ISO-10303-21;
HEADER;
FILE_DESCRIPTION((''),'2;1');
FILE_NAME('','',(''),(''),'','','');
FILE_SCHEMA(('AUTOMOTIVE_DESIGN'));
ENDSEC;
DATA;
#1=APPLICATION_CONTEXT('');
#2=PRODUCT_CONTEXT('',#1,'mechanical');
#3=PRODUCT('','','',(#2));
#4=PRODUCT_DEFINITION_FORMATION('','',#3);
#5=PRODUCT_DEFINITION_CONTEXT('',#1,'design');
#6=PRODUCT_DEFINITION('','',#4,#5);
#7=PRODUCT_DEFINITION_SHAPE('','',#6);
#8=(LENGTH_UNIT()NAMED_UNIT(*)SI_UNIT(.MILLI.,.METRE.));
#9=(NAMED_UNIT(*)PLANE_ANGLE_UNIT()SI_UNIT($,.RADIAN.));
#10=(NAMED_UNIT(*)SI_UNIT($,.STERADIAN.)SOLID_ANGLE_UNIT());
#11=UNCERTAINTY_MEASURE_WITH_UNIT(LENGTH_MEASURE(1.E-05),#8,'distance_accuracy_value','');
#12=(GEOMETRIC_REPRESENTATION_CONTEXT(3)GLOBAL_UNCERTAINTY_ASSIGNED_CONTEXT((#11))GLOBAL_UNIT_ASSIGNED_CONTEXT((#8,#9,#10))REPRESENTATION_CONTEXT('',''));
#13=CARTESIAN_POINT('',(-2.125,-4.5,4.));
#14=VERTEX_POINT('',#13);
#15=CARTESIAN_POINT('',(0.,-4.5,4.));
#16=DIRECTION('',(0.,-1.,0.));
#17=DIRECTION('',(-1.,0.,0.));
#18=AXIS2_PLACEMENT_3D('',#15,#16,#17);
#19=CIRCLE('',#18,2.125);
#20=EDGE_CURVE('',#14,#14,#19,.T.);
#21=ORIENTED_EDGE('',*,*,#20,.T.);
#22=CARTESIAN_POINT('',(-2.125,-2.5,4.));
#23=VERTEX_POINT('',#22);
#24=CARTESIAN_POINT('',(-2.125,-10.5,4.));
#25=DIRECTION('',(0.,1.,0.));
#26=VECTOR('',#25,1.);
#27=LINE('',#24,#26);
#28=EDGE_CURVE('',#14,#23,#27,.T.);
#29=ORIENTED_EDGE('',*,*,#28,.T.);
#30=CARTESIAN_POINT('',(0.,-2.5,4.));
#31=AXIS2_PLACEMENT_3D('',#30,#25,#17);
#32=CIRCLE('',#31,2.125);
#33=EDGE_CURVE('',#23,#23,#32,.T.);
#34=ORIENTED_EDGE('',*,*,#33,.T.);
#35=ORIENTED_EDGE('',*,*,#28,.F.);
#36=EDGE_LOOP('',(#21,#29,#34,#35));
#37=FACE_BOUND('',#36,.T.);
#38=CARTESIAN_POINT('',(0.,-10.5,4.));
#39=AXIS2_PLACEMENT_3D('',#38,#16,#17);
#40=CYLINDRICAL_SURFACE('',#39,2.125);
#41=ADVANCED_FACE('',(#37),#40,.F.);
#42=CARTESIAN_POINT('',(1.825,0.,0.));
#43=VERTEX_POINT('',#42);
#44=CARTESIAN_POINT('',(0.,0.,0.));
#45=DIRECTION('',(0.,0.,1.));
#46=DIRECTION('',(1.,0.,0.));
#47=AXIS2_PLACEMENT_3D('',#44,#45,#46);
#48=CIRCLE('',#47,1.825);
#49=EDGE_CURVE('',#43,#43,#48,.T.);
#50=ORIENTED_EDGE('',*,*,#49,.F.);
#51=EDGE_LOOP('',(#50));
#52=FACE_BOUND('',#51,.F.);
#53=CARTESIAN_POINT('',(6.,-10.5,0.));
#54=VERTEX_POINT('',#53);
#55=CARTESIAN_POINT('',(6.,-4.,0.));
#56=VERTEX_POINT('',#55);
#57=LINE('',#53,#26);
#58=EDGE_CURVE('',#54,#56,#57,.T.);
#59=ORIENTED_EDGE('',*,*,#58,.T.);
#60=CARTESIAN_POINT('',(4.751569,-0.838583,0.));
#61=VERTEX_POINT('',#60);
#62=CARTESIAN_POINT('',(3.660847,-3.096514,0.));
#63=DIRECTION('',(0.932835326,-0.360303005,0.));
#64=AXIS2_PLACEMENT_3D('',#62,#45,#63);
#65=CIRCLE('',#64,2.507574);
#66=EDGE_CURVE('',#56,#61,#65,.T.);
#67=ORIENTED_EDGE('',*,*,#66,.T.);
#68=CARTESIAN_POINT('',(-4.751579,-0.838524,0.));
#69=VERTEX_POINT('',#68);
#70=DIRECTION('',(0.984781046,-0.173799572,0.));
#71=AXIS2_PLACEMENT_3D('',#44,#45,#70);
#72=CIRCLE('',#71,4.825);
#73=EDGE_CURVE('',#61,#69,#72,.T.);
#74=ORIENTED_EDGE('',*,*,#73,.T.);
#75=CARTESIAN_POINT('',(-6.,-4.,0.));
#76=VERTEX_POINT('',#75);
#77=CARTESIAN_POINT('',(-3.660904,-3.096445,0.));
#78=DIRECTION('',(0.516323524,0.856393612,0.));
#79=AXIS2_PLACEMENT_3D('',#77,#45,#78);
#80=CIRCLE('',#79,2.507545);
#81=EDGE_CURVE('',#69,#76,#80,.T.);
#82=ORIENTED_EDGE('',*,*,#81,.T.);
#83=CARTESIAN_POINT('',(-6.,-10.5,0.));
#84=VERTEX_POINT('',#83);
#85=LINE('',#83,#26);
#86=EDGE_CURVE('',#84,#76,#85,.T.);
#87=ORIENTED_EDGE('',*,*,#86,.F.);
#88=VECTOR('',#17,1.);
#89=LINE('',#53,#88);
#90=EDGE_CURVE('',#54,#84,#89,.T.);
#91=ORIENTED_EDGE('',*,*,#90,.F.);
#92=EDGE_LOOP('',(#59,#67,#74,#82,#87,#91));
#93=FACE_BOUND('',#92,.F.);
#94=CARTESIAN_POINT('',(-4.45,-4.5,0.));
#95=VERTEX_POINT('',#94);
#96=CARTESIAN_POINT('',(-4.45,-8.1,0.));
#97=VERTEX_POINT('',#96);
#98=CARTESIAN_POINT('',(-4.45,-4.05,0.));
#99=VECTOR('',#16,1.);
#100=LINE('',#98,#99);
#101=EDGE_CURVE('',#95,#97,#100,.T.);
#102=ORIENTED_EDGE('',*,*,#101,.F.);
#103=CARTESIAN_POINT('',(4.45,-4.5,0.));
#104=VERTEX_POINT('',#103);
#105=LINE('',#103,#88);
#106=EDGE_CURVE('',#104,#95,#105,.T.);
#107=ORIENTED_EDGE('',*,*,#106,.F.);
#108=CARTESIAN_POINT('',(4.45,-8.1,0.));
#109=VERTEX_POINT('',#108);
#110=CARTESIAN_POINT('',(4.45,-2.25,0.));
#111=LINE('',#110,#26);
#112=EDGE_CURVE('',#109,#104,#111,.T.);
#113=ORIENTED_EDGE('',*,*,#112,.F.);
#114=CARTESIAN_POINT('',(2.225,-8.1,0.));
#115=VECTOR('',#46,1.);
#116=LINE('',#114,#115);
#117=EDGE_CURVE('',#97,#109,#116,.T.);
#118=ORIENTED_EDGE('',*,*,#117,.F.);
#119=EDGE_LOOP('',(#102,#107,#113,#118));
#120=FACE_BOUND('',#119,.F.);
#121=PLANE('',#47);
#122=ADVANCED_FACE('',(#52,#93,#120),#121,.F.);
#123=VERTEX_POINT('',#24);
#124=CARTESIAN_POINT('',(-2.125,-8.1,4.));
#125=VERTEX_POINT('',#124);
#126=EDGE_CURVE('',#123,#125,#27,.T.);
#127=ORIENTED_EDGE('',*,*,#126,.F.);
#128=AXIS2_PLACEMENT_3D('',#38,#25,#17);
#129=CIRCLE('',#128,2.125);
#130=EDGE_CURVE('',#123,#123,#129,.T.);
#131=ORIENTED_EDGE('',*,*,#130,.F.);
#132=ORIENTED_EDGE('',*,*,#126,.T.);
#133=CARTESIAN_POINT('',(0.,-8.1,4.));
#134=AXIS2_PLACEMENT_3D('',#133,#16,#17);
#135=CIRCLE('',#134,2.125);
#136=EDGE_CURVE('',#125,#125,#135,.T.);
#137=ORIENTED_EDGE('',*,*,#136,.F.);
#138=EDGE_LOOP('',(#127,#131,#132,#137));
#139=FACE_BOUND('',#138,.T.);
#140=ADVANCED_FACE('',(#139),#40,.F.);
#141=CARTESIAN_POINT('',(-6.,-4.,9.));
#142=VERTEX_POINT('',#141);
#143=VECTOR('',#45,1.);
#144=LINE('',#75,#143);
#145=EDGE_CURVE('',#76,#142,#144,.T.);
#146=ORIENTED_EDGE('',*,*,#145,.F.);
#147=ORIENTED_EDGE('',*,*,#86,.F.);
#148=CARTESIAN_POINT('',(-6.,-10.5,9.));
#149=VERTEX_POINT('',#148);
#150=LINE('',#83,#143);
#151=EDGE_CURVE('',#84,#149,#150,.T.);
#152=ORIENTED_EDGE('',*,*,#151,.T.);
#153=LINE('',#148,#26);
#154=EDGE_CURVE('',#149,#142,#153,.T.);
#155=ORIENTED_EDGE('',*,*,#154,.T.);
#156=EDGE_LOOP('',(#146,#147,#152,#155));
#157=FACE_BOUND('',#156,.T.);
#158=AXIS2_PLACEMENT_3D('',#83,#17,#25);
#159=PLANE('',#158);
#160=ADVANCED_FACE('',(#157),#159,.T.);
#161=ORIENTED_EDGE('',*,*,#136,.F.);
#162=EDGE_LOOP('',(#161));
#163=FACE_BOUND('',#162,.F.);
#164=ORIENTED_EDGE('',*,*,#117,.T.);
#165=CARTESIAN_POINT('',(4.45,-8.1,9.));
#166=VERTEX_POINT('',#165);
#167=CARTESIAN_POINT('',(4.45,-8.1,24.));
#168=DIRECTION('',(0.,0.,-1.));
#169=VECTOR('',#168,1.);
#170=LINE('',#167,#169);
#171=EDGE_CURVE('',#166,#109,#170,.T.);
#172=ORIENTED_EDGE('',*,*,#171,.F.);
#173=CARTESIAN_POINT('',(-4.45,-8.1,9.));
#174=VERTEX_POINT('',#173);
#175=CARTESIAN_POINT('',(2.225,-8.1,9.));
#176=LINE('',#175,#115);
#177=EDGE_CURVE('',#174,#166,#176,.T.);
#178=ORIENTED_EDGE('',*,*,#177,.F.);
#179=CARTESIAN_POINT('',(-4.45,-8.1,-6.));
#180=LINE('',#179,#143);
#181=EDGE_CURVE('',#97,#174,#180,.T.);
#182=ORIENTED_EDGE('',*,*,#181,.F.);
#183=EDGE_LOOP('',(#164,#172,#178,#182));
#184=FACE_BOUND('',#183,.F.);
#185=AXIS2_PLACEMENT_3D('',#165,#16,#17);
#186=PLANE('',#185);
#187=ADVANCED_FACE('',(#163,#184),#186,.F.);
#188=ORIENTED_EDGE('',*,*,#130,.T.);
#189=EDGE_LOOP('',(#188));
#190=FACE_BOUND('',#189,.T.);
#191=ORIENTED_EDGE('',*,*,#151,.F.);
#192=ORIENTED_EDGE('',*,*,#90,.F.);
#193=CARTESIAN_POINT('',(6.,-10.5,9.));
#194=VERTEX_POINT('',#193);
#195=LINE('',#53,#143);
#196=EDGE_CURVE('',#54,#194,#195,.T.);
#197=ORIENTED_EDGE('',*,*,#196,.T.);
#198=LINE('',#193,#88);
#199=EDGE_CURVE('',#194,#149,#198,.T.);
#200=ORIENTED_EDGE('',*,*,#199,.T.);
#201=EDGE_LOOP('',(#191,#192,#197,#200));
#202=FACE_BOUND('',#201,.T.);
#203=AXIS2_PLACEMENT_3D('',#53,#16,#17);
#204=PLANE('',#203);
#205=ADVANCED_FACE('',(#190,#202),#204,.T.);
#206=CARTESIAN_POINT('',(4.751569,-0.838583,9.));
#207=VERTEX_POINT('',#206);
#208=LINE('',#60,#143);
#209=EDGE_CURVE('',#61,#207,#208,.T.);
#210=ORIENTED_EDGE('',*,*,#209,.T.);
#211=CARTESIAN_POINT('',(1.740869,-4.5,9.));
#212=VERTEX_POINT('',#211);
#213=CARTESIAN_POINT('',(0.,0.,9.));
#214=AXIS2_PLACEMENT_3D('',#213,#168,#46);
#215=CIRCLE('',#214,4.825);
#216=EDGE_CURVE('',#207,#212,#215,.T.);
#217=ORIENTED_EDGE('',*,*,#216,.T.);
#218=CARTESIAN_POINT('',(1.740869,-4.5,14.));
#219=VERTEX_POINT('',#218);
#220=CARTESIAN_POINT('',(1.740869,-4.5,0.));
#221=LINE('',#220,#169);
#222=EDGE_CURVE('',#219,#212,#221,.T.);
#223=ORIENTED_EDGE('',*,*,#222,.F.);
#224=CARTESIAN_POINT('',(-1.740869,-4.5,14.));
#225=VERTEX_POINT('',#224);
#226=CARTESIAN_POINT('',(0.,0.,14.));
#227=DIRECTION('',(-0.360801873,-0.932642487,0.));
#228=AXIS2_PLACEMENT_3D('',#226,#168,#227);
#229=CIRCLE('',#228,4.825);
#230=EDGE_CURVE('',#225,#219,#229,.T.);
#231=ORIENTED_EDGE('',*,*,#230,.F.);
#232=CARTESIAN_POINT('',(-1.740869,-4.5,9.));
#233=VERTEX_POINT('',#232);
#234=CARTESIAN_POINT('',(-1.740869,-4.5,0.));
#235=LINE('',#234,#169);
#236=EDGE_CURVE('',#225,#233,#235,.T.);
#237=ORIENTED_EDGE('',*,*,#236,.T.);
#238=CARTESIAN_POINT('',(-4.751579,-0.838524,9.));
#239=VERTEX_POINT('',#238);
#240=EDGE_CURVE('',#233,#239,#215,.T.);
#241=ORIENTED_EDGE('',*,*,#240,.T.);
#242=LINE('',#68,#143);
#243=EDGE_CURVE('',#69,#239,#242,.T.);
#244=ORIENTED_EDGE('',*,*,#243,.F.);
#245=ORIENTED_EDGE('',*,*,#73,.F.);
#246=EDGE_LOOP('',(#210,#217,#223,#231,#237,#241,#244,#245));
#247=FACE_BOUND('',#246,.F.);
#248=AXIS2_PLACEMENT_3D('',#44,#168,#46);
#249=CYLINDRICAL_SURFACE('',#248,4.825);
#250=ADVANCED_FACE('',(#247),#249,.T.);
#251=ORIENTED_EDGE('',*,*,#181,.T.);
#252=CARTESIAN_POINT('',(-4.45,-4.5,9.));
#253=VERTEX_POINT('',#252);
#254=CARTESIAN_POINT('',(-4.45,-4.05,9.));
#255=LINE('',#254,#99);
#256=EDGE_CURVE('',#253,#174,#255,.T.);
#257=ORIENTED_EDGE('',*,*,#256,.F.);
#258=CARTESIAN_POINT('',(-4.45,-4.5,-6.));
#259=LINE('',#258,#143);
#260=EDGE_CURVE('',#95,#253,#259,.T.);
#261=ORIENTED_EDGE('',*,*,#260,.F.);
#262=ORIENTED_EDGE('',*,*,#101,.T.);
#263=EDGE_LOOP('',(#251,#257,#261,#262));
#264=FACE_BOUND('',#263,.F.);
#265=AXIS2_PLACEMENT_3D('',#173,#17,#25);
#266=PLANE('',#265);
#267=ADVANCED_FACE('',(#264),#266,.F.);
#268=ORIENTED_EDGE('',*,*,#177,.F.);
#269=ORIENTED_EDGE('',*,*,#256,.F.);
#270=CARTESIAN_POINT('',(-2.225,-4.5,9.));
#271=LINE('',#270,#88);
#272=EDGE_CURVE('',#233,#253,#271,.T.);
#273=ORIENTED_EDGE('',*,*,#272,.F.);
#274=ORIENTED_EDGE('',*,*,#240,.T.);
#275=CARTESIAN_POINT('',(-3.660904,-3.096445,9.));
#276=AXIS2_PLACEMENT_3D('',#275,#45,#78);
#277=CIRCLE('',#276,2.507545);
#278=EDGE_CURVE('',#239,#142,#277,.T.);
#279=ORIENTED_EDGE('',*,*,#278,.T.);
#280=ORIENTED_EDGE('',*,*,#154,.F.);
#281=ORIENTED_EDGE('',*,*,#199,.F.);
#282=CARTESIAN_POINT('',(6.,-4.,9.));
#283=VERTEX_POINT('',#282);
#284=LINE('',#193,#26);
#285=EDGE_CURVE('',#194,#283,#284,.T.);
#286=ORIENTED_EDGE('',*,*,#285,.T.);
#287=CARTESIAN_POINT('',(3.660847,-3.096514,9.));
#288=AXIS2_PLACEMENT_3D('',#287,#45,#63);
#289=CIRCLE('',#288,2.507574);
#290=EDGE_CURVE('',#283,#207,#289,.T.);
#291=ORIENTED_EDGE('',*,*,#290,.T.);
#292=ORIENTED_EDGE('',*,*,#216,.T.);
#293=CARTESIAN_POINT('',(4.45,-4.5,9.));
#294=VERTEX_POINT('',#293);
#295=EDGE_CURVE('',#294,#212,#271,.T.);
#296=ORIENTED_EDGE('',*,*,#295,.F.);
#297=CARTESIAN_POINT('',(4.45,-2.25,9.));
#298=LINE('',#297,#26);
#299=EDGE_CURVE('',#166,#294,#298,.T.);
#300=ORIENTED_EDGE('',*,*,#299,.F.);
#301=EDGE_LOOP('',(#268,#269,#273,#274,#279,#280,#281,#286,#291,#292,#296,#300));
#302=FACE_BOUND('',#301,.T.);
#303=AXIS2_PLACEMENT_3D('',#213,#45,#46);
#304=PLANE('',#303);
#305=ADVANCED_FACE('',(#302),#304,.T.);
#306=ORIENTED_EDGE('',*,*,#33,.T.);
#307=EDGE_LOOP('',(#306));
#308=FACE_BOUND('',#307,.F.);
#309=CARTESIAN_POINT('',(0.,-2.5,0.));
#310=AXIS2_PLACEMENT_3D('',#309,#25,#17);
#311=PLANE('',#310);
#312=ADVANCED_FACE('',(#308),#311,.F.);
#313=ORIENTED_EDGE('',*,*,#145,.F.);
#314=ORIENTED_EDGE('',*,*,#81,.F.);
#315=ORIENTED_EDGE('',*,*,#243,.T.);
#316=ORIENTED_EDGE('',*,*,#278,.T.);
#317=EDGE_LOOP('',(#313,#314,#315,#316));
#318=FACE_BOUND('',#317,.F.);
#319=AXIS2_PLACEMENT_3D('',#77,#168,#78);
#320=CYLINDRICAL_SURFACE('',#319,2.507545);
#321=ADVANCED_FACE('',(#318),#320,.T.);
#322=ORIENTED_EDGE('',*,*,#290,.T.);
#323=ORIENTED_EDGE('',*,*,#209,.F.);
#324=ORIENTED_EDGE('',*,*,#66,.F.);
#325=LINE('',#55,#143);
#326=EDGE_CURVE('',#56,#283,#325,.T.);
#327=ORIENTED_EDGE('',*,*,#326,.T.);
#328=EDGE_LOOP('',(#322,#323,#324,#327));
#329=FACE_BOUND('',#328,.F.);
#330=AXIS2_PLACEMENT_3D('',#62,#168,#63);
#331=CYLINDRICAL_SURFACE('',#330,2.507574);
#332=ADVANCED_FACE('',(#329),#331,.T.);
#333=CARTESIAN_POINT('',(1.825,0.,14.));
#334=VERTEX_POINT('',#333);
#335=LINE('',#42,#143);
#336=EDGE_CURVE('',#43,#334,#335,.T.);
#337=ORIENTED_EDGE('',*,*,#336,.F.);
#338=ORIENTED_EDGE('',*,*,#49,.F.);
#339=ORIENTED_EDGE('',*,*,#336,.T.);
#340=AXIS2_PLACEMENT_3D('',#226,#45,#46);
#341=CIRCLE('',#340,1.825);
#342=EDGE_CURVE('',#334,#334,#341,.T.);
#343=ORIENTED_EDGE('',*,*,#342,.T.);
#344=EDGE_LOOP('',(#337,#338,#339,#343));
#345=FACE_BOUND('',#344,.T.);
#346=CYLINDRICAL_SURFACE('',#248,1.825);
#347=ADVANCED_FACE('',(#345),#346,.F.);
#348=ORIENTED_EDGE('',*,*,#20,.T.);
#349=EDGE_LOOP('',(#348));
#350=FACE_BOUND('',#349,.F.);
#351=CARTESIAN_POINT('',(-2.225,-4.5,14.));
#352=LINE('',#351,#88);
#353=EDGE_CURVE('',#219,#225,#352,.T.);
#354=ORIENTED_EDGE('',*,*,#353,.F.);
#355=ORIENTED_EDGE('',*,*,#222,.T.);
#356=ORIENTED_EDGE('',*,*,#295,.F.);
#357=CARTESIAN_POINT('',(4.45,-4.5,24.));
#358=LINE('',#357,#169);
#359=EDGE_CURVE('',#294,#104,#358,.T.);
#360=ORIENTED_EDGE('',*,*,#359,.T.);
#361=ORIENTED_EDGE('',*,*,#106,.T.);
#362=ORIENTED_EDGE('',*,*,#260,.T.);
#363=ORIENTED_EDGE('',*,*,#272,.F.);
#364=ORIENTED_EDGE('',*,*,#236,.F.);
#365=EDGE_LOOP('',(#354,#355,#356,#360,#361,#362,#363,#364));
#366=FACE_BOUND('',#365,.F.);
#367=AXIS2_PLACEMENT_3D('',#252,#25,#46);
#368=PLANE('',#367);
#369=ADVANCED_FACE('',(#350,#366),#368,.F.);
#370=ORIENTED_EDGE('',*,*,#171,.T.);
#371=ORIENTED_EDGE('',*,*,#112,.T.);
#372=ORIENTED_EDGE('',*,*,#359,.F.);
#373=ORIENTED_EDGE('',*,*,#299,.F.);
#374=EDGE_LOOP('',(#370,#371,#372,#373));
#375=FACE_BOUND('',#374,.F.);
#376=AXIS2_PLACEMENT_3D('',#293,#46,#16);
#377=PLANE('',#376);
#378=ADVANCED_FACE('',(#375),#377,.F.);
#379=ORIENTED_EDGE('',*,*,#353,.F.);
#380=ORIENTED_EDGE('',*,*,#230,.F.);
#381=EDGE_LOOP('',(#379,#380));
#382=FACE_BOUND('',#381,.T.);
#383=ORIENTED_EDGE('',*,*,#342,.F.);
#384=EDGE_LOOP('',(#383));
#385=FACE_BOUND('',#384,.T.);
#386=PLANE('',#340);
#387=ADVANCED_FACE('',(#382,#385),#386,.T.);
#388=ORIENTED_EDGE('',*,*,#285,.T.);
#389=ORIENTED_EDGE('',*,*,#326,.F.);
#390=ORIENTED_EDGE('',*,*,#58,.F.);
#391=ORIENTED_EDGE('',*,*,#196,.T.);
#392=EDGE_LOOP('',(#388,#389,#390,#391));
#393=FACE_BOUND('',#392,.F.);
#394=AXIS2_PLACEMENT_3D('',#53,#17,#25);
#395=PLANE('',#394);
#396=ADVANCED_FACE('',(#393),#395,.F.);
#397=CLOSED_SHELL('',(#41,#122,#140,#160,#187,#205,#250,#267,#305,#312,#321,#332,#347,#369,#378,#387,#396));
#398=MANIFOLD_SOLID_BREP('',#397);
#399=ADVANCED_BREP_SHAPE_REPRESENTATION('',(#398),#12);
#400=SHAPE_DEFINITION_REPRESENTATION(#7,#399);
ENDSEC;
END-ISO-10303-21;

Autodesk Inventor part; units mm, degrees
ref_plane "YZ Plane" through (0, 0, 0) normal (1, 0, 0) x (0, 1, 0)
ref_plane "XY Plane" through (0, 0, 0) normal (0, 0, 1) x (1, 0, 0)
sketch "Sketch1" plane through (0, 0, 0) normal (0, 0, 1) x (1, 0, 0)
  circle A0 centre (0, 0) radius 1.825
  circle A1 centre (0, 0) radius 4.825
  line L0 (-6, -4) -> (6, -4)
  line L1 (6, -10.5) -> (-6, -10.5)
  line L2 (-6, -10.5) -> (-6, -4)
  arc A2 (-2.3662, -0.949) -> (-6, -4) centre (-3.6609, -3.0965) ccw
  arc A3 (6, -4) -> (2.3662, -0.949) centre (3.6609, -3.0965) ccw
  arc A4 (-2.3662, -0.949) -> (2.3662, -0.949) centre (0, 0.4878) ccw
  line L3 (-15.4666, 0) -> (16.043, 0) construction
  line L4 (0, 8.2762) -> (0, -10.4238) construction
  line L5 (6, -10.5) -> (6, -4)
  dimension "d0" = 3.65
  dimension "d1" = 3
  dimension "d3" = 12
  dimension "d5" = 4
  dimension "d6" = 6.5
  dimension "d7" = 6
extrude "Extrusion1" add sketch "Sketch1" along normal blind 9
ref_plane "Work Plane1" through (0, -10.5, 0) normal (0, 1, 0) x (-1, 0, 0)
extrude "Extrusion4" add sketch "Sketch1" along normal blind 14 contours A1 A3 A4 A2 | A2 A4 A3 A1 L0 | L0 A1
sketch "Sketch2" plane through (0, -10.5, 0) normal (0, 1, 0) x (-1, 0, 0)
  line L0 (6, 0) -> (-6, 0) projected
  line L1 (-6, 0) -> (-6, 9) projected
  line L2 (6, 9) -> (-6, 9) projected
  line L3 (6, 0) -> (6, 9) projected
  circle A0 centre (0, 4) radius 2.125
  point P0 (0, 0)
  dimension "d11" = 4.25
  dimension "d12" = 4
extrude "Extrusion2" cut sketch "Sketch2" along normal blind 8 contours A0
sketch "Sketch3" plane through (0, 0, 9) normal (0, 0, 1) x (1, 0, 0)
  line L0 (-6, -10.5) -> (6, -10.5) projected
  circle A0 centre (0, 0) radius 1.825 projected
  line L1 (-4.45, -4.5) -> (4.45, -4.5)
  line L2 (4.45, -4.5) -> (4.45, -8.1)
  line L3 (4.45, -8.1) -> (-4.45, -8.1)
  line L4 (-4.45, -8.1) -> (-4.45, -4.5)
  point P0 (0, -8.1)
  point P1 (0, -10.5)
  dimension "d15" = 8.9
  dimension "d16" = 3.6
  dimension "d17" = 4.5
extrude "Extrusion3" cut sketch "Sketch3" along normal mid plane 30 contours L1 L2 L3 L4
equation "\"d4\" = 0.4"
properties part number "MotorAttachment2"
